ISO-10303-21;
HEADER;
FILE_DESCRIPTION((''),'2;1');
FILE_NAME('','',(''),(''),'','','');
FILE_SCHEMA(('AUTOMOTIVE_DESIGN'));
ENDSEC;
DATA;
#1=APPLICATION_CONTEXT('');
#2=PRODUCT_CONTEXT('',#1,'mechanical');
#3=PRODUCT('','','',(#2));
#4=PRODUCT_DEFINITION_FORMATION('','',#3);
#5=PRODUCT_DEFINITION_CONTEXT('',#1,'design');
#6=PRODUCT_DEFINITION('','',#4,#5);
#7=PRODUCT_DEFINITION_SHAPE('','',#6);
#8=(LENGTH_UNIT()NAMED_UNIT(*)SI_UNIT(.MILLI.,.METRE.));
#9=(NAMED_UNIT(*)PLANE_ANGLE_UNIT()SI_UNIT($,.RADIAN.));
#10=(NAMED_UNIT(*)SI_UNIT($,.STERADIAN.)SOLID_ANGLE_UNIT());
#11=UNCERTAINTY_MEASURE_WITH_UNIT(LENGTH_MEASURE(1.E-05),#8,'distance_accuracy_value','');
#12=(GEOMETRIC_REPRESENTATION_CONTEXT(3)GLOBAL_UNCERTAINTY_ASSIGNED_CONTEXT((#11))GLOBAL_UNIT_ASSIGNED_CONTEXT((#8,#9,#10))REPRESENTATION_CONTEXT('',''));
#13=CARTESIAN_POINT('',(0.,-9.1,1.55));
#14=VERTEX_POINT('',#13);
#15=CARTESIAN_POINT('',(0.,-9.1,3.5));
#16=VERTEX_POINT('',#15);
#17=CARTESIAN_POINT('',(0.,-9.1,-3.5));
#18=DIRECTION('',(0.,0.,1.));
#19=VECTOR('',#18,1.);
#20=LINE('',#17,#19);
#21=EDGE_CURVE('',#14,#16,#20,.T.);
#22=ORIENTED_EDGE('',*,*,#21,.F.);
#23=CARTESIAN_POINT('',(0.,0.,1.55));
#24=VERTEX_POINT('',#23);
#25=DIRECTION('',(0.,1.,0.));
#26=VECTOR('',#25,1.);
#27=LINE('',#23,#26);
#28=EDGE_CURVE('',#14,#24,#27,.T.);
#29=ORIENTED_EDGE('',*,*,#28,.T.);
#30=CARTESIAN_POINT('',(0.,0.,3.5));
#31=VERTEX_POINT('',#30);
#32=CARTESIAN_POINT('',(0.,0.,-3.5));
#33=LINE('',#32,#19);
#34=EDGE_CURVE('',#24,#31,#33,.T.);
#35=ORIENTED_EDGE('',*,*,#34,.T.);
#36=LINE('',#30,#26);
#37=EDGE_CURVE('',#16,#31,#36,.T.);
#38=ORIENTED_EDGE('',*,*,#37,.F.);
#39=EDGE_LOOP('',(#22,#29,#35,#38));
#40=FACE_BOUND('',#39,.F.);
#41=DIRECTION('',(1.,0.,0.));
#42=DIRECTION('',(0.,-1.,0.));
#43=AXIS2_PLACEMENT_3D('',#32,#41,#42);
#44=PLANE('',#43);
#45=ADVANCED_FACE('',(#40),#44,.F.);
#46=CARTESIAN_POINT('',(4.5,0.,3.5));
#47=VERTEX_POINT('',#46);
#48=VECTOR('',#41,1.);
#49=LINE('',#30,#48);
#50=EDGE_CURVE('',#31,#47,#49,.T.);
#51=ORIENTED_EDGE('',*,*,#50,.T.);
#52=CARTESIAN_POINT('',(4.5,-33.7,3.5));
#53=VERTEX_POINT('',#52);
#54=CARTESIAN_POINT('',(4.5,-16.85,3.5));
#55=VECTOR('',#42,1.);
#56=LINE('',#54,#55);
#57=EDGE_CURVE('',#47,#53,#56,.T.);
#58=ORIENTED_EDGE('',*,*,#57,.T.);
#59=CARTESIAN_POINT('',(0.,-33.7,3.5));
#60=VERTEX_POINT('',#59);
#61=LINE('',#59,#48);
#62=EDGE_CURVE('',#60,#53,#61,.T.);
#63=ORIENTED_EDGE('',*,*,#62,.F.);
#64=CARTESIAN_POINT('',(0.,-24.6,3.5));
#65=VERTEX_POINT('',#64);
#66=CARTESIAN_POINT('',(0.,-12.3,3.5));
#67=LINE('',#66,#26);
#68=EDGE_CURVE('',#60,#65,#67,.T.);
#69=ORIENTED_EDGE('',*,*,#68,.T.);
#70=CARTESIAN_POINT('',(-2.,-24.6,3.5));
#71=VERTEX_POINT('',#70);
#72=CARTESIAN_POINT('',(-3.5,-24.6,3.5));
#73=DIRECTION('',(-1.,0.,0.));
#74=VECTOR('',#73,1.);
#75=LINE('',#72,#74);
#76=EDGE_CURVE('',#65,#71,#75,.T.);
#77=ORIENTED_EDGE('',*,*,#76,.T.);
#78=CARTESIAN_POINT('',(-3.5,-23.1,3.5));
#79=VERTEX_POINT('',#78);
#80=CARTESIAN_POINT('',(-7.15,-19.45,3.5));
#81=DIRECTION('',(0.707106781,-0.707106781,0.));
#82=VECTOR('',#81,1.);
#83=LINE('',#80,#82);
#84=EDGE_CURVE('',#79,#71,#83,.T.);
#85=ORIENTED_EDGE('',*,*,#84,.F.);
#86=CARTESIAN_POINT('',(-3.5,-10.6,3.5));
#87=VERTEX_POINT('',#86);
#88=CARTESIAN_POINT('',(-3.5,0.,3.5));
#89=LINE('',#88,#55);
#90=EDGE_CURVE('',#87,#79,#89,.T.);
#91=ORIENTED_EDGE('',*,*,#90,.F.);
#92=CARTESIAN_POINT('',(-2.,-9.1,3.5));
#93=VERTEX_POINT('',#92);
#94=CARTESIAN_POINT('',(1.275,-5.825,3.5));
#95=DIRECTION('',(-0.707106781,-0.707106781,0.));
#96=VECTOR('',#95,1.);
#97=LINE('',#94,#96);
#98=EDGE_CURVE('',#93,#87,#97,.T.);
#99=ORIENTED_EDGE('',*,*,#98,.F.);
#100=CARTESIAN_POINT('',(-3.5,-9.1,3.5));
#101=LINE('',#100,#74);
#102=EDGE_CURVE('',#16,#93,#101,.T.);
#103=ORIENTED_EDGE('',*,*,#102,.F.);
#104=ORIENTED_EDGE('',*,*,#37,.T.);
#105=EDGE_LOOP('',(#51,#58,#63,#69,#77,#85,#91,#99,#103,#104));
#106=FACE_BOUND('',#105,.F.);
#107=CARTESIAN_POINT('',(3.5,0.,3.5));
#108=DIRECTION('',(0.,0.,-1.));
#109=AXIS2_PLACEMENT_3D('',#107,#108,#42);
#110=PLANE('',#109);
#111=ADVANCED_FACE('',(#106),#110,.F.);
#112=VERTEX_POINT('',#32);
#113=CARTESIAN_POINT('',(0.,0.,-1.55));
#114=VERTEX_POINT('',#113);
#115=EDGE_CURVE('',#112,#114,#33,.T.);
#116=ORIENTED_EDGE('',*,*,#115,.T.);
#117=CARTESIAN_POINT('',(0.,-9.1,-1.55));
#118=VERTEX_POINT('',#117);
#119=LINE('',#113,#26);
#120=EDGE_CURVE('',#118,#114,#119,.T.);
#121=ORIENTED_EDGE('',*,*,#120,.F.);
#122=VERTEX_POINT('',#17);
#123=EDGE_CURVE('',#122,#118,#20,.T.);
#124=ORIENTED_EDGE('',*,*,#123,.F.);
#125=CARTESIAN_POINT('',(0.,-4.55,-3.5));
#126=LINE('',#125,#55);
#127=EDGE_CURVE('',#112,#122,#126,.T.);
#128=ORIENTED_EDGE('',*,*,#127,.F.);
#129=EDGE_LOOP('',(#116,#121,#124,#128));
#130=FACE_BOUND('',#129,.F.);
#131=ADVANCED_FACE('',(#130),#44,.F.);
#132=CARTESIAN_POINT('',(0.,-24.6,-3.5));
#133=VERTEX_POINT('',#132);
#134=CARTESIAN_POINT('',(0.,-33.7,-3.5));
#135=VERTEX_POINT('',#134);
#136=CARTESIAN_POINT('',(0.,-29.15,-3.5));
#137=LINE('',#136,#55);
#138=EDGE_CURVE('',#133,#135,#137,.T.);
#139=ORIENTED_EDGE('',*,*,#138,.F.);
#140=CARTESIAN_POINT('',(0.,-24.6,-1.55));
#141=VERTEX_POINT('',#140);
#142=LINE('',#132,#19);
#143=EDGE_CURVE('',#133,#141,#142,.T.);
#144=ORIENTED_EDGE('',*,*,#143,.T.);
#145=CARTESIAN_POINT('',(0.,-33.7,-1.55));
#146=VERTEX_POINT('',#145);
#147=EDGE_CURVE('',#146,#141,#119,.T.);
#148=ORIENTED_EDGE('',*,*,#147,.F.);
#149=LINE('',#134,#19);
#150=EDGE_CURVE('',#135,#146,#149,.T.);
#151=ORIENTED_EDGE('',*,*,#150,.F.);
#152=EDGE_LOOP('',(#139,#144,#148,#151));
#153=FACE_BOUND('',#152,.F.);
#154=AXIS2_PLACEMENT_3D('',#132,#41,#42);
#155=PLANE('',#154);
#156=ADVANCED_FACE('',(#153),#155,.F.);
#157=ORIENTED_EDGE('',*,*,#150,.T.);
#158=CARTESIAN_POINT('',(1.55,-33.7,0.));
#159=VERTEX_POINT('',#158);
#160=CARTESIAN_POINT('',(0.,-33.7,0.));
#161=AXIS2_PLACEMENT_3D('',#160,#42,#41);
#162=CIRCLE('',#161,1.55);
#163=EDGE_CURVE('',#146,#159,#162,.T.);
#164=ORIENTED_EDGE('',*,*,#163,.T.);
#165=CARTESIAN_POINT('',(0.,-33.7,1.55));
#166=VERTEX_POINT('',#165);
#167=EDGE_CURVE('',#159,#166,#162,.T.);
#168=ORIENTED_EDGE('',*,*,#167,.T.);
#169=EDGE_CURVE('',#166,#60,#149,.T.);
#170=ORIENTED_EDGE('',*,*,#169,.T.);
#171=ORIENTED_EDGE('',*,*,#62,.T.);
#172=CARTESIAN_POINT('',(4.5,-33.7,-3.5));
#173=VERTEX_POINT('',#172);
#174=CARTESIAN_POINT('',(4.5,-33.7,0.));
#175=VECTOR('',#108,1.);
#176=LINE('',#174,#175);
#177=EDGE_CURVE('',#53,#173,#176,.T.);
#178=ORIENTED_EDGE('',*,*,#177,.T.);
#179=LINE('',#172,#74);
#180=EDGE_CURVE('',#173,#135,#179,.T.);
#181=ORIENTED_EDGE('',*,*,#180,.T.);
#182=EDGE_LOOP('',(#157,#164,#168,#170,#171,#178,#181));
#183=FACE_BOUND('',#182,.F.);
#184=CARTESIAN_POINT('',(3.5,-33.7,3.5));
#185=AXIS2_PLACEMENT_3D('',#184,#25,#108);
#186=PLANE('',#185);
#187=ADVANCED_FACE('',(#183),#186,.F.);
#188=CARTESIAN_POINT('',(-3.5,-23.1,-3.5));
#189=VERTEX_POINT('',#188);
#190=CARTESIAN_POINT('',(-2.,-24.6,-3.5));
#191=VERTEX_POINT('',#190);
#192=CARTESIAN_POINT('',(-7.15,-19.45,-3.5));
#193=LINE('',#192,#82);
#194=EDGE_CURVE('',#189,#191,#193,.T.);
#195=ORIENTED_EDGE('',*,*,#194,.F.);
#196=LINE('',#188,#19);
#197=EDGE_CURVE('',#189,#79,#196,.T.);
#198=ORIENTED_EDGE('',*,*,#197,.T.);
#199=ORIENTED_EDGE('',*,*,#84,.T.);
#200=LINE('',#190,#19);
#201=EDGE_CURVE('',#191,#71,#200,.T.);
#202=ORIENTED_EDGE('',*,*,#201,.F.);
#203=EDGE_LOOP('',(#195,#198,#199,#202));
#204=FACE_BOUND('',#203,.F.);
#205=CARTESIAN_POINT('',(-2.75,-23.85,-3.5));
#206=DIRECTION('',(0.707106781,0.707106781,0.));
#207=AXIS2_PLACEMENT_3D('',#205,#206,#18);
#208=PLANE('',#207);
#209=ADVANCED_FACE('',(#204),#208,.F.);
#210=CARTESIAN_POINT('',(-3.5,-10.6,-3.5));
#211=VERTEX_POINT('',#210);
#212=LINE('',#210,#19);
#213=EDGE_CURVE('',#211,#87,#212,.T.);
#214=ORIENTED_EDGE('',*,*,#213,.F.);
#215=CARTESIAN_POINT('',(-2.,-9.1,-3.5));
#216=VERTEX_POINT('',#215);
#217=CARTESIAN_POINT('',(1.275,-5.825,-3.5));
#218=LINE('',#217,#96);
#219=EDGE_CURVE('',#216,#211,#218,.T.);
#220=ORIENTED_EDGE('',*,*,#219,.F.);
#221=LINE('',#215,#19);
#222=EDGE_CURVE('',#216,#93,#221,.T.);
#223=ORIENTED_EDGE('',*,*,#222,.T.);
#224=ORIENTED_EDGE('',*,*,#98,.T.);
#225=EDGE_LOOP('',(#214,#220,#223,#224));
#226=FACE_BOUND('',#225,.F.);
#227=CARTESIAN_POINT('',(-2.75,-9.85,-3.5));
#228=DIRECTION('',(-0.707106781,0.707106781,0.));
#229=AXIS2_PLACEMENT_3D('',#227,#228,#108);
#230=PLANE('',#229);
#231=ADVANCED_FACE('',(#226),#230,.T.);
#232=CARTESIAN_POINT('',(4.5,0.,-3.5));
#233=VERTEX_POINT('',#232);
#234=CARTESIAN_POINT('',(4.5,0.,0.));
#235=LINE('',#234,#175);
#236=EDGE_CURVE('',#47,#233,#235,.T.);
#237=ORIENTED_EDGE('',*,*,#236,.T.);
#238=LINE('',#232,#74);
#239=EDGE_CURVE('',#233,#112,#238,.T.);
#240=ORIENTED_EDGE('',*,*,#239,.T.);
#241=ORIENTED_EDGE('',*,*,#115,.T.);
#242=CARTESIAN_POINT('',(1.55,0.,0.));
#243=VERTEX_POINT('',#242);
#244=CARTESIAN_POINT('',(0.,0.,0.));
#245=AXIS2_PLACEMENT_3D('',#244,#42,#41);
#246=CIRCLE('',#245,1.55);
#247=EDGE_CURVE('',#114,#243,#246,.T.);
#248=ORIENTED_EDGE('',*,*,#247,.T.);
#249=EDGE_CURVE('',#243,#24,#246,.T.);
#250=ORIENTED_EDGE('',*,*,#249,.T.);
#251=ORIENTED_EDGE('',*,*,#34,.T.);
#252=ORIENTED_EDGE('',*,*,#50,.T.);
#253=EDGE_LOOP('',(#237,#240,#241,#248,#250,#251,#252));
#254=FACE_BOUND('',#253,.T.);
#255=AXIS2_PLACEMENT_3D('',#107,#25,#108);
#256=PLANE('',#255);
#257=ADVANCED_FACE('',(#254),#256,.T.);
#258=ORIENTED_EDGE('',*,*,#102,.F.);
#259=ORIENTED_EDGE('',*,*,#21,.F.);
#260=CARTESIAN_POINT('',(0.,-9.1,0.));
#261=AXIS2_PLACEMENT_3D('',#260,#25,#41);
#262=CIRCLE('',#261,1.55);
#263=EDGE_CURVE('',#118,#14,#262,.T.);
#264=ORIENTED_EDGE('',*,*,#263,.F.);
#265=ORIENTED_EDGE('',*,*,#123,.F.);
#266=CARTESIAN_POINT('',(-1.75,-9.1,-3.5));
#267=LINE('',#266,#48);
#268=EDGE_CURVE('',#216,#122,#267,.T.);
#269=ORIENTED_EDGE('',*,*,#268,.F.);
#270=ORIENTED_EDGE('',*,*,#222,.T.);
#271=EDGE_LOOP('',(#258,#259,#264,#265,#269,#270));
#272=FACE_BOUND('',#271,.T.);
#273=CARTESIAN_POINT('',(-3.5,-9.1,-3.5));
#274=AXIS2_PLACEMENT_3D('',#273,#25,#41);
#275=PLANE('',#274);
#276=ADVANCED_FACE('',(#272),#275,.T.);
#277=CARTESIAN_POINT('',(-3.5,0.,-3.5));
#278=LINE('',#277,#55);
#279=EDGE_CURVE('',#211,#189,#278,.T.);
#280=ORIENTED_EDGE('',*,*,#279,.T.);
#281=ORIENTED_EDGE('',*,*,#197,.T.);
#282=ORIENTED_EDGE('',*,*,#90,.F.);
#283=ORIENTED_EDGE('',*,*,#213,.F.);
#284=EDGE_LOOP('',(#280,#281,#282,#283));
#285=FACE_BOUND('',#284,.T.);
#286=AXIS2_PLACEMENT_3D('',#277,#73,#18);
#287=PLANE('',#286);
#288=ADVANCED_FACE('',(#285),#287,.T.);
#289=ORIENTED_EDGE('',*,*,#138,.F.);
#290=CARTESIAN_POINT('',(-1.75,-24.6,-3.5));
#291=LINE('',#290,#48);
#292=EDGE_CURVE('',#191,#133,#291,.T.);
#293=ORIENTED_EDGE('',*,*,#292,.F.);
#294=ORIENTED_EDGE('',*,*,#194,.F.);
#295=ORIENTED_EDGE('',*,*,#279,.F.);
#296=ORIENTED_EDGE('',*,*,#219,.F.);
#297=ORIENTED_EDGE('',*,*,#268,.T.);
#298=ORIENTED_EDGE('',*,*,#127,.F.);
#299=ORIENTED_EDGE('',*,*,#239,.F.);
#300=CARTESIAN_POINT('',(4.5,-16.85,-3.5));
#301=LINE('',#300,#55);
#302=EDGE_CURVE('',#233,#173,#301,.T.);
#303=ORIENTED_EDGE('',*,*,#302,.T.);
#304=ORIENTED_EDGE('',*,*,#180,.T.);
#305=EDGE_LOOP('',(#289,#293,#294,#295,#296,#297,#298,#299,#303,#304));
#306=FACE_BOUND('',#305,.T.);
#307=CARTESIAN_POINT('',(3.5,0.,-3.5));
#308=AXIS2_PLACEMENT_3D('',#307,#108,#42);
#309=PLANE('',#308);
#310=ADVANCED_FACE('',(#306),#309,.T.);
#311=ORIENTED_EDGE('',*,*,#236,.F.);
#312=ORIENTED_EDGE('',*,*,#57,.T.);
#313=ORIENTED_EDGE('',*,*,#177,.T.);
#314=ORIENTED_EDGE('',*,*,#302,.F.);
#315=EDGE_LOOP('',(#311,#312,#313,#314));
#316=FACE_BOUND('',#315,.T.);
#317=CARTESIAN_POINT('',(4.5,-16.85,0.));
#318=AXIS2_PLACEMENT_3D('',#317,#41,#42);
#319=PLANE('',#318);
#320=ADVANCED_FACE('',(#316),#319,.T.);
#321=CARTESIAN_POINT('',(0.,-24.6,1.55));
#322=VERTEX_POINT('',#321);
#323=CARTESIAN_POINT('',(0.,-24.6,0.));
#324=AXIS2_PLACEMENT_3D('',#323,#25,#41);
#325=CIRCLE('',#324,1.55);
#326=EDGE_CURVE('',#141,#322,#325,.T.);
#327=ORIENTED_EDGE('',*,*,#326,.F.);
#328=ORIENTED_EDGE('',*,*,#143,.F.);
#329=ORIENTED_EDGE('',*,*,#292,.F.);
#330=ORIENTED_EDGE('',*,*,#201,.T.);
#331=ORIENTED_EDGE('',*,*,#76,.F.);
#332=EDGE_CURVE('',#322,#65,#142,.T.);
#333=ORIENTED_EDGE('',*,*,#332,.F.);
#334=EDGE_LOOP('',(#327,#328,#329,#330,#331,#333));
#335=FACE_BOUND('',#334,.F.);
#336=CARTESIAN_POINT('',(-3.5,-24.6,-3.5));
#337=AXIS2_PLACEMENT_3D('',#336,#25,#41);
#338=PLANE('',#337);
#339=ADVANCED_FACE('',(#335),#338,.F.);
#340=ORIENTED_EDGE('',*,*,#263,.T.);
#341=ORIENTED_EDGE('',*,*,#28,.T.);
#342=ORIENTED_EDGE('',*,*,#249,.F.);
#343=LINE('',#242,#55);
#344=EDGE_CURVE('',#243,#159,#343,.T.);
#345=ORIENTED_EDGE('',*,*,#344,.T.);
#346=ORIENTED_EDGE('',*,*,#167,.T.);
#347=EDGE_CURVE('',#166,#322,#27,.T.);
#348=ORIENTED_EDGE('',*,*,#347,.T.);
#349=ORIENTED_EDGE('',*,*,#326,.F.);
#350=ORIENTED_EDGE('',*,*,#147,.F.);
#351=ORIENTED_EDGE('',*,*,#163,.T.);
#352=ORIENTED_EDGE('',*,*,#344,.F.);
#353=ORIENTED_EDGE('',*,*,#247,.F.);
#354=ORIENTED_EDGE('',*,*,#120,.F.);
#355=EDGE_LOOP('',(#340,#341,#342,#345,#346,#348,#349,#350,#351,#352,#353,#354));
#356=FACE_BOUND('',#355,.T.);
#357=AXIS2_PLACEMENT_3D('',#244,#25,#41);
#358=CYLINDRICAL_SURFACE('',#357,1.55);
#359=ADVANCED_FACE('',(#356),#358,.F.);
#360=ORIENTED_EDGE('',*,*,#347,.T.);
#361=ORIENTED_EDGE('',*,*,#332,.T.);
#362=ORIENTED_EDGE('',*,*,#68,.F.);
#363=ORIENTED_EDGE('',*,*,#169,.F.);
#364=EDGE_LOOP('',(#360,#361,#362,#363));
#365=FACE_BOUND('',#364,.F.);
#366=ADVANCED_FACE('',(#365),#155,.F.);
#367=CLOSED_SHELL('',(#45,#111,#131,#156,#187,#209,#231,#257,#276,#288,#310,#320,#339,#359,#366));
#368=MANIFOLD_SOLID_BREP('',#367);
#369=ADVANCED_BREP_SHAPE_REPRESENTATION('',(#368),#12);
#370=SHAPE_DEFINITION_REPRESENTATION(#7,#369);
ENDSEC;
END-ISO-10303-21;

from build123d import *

# Parameters (mm, degrees)
SKETCH_W        = 7
SKETCH_H        = 7
SKETCH_R        = 1.55
PAD_DEPTH       = 33.7
SKETCH001_W     = 3.5
SKETCH001_H     = 9.1
POCKET_DEPTH    = 7.001
POCKET_FACE10_W = 33.7
POCKET_FACE10_H = 7
PAD001_DEPTH    = 1
CHAMFER_SIZE    = 1.5


with BuildPart() as part:
    # Sketch → Pad (new body)
    with BuildSketch(Plane.XZ):
        Rectangle(SKETCH_W, SKETCH_H)
        Circle(SKETCH_R, mode=Mode.SUBTRACT)
    extrude(amount=PAD_DEPTH)

    # Sketch001 (on Face2 of Pad) → Pocket (cut, through all)
    with BuildSketch(Plane(origin=(0, 0, -3.5), x_dir=(1, 0, 0), z_dir=(0, 0, -1))):
        with Locations((-1.75, 29.15)):
            Rectangle(SKETCH001_W, SKETCH001_H)
        with Locations((-1.75, 4.55)):
            Rectangle(SKETCH001_W, SKETCH001_H)
    extrude(amount=-POCKET_DEPTH, mode=Mode.SUBTRACT)

    # Pocket Face10 → Pad001 (add)
    with BuildSketch(Plane(origin=(3.5, -16.85, 0), x_dir=(0, -1, 0), z_dir=(1, 0, 0))):
        Rectangle(POCKET_FACE10_W, POCKET_FACE10_H)
    extrude(amount=PAD001_DEPTH)

    # Chamfer
    chamfer_edges = [part.edges().sort_by_distance(p)[0] for p in [
        (-3.5, -24.6, 0),
        (-3.5, -9.1, 0),
    ]]
    chamfer(chamfer_edges, length=CHAMFER_SIZE)


solid = part.part
